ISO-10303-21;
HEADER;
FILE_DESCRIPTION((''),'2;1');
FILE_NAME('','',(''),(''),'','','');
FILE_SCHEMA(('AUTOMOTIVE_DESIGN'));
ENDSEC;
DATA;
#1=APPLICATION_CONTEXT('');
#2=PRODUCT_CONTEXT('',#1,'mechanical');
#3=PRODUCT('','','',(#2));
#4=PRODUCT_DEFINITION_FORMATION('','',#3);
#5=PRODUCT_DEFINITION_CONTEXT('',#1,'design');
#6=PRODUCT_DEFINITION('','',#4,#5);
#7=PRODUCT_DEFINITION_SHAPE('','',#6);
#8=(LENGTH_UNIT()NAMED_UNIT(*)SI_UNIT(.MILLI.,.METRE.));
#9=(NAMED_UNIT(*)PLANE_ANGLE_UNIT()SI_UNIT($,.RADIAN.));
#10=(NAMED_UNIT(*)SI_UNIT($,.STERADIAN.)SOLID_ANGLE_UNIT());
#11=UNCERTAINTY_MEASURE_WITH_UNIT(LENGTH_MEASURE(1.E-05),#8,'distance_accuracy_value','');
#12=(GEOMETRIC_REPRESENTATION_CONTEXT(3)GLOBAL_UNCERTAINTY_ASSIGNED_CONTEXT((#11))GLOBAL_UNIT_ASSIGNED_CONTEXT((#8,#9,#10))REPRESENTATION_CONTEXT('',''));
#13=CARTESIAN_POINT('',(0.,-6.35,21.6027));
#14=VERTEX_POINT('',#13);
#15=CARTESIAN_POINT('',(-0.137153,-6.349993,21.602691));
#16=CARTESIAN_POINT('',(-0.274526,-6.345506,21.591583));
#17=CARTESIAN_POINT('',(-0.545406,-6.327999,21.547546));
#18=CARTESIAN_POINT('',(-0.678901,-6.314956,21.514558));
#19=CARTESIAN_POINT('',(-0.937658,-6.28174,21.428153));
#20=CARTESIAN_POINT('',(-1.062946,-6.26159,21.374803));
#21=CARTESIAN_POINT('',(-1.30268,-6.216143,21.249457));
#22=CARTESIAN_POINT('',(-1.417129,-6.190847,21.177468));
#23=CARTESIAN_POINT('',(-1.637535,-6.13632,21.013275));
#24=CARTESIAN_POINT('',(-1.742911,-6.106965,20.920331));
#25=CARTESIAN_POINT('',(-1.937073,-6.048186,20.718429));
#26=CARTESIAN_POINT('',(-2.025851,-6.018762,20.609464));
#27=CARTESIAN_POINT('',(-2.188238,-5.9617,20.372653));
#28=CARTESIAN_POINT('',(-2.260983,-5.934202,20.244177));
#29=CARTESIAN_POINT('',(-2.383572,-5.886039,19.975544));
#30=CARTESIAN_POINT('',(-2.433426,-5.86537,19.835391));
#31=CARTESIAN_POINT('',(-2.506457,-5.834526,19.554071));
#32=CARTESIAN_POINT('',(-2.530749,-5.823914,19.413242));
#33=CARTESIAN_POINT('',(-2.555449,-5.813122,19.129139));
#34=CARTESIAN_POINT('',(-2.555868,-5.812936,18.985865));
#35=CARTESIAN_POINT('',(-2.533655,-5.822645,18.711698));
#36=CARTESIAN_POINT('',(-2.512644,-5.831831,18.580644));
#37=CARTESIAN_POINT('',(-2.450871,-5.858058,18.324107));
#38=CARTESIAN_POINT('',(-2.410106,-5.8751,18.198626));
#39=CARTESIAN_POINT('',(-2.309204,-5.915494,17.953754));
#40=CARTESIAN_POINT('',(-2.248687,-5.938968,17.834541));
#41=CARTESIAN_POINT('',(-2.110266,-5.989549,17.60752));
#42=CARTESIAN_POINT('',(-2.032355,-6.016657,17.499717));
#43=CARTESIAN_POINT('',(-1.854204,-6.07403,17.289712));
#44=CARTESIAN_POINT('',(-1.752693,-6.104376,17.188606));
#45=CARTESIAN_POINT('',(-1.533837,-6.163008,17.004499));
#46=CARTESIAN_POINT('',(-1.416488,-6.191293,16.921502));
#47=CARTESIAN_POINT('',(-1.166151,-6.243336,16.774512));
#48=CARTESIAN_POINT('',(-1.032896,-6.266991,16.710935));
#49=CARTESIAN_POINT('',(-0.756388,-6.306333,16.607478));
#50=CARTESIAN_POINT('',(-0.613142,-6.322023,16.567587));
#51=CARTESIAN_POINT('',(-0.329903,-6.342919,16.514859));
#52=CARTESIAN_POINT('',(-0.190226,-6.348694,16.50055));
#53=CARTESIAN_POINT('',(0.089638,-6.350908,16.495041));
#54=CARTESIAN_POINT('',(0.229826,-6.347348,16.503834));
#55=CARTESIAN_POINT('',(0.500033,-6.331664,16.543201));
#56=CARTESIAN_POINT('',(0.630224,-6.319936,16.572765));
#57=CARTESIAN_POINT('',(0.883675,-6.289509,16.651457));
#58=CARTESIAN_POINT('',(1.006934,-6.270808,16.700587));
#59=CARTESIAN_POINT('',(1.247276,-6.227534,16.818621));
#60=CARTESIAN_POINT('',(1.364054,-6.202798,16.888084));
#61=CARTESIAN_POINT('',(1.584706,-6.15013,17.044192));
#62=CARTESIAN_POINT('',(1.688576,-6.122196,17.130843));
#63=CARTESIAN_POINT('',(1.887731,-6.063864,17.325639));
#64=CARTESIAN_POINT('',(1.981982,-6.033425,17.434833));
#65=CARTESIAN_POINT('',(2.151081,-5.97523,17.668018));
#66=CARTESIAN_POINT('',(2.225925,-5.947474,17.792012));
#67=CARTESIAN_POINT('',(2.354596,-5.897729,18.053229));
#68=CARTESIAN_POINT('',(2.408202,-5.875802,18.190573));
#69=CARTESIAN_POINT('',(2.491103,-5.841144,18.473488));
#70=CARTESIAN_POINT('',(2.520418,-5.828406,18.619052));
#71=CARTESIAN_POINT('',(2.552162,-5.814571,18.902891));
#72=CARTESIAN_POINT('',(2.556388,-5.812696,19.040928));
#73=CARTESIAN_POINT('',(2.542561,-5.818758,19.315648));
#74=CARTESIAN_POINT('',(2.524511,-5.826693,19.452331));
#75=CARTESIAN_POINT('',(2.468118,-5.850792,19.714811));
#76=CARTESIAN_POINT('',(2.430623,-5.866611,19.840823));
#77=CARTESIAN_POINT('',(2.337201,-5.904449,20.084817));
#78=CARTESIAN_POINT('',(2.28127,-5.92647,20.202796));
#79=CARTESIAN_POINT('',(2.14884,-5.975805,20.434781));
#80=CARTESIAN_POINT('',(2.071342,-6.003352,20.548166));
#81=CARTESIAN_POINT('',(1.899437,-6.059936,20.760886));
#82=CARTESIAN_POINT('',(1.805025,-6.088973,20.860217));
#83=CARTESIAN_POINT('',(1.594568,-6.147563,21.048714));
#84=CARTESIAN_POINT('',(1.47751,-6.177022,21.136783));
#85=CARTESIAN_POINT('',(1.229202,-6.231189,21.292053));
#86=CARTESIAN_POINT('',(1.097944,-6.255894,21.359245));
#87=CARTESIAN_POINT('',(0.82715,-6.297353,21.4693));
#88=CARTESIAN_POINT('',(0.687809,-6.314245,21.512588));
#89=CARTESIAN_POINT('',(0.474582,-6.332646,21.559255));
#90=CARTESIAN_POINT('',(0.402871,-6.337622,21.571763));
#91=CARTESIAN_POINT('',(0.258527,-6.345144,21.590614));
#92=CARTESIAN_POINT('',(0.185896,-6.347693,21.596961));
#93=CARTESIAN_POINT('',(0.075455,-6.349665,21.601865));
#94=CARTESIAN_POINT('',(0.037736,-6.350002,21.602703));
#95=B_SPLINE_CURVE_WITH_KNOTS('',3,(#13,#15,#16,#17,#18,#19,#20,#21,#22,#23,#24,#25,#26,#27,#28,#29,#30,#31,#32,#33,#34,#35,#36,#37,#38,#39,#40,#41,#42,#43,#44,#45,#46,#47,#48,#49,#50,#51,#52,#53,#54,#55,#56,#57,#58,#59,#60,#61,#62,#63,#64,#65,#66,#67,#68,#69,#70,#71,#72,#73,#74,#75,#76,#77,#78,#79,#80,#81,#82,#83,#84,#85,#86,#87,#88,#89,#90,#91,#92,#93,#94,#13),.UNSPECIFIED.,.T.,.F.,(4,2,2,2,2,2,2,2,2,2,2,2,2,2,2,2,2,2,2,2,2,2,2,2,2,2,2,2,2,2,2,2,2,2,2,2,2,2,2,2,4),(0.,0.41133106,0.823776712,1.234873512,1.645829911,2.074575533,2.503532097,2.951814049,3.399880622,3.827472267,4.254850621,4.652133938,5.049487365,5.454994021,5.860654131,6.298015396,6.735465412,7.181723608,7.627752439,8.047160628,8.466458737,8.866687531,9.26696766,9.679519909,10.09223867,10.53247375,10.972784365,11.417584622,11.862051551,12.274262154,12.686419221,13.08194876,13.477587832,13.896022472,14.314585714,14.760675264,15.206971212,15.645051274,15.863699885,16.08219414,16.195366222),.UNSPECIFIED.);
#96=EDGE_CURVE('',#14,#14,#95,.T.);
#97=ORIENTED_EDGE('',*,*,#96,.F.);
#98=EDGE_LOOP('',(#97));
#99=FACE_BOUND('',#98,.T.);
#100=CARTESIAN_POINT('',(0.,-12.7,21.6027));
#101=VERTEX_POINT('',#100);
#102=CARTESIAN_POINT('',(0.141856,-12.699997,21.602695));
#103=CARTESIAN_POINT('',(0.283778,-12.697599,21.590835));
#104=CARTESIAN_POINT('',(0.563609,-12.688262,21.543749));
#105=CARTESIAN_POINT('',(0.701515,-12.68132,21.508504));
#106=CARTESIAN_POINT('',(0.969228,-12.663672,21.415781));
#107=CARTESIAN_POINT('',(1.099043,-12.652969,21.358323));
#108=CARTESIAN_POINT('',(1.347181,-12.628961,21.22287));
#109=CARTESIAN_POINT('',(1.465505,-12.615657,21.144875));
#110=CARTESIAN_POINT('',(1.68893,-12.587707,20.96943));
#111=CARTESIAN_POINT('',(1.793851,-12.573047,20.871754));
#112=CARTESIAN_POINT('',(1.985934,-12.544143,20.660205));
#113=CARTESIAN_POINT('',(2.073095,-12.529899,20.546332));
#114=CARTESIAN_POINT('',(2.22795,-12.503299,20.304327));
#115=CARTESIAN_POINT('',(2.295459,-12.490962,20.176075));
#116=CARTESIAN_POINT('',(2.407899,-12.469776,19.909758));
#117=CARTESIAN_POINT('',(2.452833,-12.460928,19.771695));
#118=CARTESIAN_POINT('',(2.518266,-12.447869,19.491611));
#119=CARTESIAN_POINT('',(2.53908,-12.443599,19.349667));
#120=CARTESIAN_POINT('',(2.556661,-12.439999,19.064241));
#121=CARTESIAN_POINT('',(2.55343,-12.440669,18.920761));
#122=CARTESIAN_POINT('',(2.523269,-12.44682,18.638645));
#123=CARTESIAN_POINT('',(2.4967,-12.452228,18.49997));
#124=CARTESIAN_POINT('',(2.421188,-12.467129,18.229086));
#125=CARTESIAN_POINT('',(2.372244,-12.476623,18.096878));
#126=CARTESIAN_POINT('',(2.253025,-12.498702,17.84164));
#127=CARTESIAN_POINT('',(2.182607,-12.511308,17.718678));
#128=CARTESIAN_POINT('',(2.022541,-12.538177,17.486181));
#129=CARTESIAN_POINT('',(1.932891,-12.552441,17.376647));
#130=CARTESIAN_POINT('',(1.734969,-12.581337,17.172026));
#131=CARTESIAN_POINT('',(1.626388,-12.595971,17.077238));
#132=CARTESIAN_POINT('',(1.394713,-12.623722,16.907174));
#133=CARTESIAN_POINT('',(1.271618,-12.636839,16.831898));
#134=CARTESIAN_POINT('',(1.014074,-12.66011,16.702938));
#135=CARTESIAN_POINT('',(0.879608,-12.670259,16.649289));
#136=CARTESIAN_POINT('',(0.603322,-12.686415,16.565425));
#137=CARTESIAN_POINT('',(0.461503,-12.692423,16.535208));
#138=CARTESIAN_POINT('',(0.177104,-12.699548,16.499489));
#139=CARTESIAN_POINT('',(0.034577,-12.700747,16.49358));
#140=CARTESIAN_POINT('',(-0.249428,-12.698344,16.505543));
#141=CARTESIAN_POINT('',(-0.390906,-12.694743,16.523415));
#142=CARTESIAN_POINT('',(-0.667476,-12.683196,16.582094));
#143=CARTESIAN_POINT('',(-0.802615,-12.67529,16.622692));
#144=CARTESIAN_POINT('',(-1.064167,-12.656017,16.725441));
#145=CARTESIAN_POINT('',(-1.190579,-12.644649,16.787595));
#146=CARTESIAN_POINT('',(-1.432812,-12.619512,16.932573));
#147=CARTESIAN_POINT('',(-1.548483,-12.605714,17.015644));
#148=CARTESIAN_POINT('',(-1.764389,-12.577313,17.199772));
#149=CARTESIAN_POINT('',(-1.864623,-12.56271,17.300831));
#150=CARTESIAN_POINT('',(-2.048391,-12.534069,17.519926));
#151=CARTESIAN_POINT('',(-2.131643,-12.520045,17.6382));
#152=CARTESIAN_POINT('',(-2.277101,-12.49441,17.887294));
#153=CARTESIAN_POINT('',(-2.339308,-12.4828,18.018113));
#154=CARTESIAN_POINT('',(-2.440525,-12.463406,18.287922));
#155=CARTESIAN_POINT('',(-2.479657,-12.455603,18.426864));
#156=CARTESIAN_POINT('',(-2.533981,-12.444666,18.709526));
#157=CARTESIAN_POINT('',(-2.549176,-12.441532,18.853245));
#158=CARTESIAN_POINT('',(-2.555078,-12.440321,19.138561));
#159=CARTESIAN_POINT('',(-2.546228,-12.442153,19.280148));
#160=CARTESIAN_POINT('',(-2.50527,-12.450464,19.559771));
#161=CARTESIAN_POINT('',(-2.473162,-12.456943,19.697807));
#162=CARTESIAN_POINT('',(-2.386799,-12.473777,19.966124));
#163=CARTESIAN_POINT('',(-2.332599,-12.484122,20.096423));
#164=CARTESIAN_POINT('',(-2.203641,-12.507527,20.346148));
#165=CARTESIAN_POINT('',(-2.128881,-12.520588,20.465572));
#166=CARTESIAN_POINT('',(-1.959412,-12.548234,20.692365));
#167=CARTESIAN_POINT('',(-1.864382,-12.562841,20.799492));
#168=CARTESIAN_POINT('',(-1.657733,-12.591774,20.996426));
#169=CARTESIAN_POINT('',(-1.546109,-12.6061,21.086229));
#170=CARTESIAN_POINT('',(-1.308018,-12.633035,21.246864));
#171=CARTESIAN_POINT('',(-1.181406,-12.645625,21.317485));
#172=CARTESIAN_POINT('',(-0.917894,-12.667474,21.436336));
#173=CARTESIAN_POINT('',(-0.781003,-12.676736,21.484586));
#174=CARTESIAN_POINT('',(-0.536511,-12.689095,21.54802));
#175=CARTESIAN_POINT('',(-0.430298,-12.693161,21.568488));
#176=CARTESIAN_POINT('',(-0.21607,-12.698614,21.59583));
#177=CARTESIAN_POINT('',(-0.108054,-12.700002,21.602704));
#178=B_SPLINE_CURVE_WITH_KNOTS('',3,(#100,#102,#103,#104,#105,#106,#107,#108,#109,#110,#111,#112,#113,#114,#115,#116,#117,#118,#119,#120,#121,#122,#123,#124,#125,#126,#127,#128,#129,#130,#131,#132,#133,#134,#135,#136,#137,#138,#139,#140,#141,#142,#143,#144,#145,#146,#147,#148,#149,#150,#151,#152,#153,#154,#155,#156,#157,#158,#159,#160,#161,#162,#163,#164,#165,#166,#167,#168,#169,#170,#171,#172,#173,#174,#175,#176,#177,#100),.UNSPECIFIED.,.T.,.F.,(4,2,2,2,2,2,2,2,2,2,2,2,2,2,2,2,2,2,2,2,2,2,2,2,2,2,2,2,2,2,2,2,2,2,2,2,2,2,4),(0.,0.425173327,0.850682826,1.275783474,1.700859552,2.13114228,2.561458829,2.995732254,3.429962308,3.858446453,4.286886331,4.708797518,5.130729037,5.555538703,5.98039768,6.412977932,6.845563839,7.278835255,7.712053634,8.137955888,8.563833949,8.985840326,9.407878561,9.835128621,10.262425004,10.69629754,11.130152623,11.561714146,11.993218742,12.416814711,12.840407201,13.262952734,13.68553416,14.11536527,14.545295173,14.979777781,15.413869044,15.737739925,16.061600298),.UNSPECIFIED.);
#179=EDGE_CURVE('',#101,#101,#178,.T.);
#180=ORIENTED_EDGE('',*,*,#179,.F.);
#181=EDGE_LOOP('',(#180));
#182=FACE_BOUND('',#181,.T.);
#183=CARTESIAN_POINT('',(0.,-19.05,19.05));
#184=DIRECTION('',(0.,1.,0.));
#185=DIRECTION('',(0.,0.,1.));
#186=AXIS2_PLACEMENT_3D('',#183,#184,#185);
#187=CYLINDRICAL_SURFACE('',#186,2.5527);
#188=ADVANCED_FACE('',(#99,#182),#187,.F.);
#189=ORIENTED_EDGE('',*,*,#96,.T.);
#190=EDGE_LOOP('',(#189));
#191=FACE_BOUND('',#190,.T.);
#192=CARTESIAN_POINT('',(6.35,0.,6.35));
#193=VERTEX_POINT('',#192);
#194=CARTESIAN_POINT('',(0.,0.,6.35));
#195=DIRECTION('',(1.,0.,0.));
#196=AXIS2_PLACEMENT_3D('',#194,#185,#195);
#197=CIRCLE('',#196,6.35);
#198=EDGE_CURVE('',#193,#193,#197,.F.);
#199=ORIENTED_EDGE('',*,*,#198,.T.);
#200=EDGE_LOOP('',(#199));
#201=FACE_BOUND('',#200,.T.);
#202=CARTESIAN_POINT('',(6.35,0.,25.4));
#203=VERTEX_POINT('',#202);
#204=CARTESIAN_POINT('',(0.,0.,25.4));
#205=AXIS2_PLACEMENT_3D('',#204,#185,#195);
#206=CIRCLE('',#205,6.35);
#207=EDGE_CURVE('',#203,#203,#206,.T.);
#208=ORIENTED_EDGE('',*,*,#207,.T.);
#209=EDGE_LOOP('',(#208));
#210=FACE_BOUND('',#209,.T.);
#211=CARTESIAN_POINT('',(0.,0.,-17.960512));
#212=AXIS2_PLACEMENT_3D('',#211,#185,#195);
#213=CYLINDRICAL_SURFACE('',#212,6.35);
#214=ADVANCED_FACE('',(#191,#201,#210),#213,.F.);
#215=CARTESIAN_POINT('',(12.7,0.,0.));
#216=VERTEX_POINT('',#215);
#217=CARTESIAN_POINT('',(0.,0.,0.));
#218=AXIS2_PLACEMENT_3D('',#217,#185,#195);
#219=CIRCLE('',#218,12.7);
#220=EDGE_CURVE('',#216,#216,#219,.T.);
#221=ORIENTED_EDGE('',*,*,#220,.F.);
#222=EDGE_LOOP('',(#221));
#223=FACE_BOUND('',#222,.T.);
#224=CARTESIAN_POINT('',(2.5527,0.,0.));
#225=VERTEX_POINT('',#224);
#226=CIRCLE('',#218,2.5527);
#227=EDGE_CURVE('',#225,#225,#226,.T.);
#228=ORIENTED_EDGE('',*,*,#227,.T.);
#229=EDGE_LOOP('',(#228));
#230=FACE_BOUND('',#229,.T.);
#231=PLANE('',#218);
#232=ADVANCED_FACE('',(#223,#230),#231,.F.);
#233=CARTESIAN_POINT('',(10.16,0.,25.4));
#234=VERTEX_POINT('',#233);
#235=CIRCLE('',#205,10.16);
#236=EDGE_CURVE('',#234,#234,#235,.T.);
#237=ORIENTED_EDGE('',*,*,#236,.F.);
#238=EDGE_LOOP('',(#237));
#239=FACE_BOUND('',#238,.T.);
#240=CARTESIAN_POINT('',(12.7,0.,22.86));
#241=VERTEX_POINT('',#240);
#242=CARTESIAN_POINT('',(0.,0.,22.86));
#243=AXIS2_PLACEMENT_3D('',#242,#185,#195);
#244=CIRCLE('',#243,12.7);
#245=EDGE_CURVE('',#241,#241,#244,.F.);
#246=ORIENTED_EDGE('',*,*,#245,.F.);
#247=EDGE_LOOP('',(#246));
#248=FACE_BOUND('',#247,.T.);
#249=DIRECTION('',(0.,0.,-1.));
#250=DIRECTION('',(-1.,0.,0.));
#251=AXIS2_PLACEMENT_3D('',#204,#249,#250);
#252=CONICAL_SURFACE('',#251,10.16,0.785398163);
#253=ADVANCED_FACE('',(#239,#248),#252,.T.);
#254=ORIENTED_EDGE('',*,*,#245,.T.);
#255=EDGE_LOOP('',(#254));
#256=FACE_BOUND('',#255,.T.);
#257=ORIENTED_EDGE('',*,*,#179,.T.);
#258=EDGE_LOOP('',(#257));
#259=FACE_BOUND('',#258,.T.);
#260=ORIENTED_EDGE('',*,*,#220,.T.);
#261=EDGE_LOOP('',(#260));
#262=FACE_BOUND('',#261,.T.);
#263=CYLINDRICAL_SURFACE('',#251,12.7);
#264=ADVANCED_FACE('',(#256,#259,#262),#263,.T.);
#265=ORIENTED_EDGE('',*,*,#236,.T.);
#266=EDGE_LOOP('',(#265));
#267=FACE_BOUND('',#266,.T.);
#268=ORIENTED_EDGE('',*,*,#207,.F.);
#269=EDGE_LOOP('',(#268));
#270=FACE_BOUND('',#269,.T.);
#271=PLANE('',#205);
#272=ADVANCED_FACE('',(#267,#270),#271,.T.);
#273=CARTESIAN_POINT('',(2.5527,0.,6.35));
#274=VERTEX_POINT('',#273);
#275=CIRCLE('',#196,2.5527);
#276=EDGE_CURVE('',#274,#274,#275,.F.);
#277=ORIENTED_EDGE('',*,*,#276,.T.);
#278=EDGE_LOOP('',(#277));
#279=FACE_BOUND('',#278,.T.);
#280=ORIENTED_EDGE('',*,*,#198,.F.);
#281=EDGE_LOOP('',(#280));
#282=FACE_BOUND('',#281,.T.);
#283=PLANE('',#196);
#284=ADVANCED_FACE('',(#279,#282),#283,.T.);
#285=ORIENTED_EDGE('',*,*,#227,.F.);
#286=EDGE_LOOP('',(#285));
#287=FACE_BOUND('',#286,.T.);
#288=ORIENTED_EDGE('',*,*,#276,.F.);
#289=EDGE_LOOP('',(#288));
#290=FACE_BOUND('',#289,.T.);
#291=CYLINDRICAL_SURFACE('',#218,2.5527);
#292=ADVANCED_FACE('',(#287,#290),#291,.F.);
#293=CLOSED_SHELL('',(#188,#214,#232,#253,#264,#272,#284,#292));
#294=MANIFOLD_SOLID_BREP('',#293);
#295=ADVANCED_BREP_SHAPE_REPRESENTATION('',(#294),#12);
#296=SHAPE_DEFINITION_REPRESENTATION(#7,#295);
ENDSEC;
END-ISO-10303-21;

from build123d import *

# Parameters (mm, degrees)
SKETCH1_R           = 12.7
BOSS_EXTRUDE1_DEPTH = 25.4
SKETCH2_R           = 2.5527
CUT_EXTRUDE1_DEPTH  = 26.4
SKETCH3_R           = 6.35
CUT_EXTRUDE2_DEPTH  = 19.05
CHAMFER1_SIZE       = 2.54
SKETCH4_R           = 2.5527
CUT_EXTRUDE3_DEPTH  = 19.05


with BuildPart() as part:
    # Sketch1 → Boss-Extrude1 (new body)
    with BuildSketch(Plane.XY):
        Circle(SKETCH1_R)
    extrude(amount=BOSS_EXTRUDE1_DEPTH)

    # Sketch2 → Cut-Extrude1 (cut, through all)
    with BuildSketch(Plane.XY.offset(25.4)):
        Circle(SKETCH2_R)
    extrude(amount=-CUT_EXTRUDE1_DEPTH, mode=Mode.SUBTRACT)

    # Sketch3 → Cut-Extrude2 (cut)
    with BuildSketch(Plane.XY.offset(25.4)):
        Circle(SKETCH3_R)
    extrude(amount=-CUT_EXTRUDE2_DEPTH, mode=Mode.SUBTRACT)

    # Chamfer1
    chamfer1_edges = [part.edges().sort_by_distance(p)[0] for p in [
        (-12.7, 0, 25.4),
    ]]
    chamfer(chamfer1_edges, length=CHAMFER1_SIZE)

    # Sketch4 → Cut-Extrude3 (cut)
    with BuildSketch(Plane(origin=(0, 0, 0), x_dir=(1, 0, 0), z_dir=(0, 1, 0))):
        with Locations((0, -19.05)):
            Circle(SKETCH4_R)
    extrude(amount=-CUT_EXTRUDE3_DEPTH, mode=Mode.SUBTRACT)


solid = part.part
